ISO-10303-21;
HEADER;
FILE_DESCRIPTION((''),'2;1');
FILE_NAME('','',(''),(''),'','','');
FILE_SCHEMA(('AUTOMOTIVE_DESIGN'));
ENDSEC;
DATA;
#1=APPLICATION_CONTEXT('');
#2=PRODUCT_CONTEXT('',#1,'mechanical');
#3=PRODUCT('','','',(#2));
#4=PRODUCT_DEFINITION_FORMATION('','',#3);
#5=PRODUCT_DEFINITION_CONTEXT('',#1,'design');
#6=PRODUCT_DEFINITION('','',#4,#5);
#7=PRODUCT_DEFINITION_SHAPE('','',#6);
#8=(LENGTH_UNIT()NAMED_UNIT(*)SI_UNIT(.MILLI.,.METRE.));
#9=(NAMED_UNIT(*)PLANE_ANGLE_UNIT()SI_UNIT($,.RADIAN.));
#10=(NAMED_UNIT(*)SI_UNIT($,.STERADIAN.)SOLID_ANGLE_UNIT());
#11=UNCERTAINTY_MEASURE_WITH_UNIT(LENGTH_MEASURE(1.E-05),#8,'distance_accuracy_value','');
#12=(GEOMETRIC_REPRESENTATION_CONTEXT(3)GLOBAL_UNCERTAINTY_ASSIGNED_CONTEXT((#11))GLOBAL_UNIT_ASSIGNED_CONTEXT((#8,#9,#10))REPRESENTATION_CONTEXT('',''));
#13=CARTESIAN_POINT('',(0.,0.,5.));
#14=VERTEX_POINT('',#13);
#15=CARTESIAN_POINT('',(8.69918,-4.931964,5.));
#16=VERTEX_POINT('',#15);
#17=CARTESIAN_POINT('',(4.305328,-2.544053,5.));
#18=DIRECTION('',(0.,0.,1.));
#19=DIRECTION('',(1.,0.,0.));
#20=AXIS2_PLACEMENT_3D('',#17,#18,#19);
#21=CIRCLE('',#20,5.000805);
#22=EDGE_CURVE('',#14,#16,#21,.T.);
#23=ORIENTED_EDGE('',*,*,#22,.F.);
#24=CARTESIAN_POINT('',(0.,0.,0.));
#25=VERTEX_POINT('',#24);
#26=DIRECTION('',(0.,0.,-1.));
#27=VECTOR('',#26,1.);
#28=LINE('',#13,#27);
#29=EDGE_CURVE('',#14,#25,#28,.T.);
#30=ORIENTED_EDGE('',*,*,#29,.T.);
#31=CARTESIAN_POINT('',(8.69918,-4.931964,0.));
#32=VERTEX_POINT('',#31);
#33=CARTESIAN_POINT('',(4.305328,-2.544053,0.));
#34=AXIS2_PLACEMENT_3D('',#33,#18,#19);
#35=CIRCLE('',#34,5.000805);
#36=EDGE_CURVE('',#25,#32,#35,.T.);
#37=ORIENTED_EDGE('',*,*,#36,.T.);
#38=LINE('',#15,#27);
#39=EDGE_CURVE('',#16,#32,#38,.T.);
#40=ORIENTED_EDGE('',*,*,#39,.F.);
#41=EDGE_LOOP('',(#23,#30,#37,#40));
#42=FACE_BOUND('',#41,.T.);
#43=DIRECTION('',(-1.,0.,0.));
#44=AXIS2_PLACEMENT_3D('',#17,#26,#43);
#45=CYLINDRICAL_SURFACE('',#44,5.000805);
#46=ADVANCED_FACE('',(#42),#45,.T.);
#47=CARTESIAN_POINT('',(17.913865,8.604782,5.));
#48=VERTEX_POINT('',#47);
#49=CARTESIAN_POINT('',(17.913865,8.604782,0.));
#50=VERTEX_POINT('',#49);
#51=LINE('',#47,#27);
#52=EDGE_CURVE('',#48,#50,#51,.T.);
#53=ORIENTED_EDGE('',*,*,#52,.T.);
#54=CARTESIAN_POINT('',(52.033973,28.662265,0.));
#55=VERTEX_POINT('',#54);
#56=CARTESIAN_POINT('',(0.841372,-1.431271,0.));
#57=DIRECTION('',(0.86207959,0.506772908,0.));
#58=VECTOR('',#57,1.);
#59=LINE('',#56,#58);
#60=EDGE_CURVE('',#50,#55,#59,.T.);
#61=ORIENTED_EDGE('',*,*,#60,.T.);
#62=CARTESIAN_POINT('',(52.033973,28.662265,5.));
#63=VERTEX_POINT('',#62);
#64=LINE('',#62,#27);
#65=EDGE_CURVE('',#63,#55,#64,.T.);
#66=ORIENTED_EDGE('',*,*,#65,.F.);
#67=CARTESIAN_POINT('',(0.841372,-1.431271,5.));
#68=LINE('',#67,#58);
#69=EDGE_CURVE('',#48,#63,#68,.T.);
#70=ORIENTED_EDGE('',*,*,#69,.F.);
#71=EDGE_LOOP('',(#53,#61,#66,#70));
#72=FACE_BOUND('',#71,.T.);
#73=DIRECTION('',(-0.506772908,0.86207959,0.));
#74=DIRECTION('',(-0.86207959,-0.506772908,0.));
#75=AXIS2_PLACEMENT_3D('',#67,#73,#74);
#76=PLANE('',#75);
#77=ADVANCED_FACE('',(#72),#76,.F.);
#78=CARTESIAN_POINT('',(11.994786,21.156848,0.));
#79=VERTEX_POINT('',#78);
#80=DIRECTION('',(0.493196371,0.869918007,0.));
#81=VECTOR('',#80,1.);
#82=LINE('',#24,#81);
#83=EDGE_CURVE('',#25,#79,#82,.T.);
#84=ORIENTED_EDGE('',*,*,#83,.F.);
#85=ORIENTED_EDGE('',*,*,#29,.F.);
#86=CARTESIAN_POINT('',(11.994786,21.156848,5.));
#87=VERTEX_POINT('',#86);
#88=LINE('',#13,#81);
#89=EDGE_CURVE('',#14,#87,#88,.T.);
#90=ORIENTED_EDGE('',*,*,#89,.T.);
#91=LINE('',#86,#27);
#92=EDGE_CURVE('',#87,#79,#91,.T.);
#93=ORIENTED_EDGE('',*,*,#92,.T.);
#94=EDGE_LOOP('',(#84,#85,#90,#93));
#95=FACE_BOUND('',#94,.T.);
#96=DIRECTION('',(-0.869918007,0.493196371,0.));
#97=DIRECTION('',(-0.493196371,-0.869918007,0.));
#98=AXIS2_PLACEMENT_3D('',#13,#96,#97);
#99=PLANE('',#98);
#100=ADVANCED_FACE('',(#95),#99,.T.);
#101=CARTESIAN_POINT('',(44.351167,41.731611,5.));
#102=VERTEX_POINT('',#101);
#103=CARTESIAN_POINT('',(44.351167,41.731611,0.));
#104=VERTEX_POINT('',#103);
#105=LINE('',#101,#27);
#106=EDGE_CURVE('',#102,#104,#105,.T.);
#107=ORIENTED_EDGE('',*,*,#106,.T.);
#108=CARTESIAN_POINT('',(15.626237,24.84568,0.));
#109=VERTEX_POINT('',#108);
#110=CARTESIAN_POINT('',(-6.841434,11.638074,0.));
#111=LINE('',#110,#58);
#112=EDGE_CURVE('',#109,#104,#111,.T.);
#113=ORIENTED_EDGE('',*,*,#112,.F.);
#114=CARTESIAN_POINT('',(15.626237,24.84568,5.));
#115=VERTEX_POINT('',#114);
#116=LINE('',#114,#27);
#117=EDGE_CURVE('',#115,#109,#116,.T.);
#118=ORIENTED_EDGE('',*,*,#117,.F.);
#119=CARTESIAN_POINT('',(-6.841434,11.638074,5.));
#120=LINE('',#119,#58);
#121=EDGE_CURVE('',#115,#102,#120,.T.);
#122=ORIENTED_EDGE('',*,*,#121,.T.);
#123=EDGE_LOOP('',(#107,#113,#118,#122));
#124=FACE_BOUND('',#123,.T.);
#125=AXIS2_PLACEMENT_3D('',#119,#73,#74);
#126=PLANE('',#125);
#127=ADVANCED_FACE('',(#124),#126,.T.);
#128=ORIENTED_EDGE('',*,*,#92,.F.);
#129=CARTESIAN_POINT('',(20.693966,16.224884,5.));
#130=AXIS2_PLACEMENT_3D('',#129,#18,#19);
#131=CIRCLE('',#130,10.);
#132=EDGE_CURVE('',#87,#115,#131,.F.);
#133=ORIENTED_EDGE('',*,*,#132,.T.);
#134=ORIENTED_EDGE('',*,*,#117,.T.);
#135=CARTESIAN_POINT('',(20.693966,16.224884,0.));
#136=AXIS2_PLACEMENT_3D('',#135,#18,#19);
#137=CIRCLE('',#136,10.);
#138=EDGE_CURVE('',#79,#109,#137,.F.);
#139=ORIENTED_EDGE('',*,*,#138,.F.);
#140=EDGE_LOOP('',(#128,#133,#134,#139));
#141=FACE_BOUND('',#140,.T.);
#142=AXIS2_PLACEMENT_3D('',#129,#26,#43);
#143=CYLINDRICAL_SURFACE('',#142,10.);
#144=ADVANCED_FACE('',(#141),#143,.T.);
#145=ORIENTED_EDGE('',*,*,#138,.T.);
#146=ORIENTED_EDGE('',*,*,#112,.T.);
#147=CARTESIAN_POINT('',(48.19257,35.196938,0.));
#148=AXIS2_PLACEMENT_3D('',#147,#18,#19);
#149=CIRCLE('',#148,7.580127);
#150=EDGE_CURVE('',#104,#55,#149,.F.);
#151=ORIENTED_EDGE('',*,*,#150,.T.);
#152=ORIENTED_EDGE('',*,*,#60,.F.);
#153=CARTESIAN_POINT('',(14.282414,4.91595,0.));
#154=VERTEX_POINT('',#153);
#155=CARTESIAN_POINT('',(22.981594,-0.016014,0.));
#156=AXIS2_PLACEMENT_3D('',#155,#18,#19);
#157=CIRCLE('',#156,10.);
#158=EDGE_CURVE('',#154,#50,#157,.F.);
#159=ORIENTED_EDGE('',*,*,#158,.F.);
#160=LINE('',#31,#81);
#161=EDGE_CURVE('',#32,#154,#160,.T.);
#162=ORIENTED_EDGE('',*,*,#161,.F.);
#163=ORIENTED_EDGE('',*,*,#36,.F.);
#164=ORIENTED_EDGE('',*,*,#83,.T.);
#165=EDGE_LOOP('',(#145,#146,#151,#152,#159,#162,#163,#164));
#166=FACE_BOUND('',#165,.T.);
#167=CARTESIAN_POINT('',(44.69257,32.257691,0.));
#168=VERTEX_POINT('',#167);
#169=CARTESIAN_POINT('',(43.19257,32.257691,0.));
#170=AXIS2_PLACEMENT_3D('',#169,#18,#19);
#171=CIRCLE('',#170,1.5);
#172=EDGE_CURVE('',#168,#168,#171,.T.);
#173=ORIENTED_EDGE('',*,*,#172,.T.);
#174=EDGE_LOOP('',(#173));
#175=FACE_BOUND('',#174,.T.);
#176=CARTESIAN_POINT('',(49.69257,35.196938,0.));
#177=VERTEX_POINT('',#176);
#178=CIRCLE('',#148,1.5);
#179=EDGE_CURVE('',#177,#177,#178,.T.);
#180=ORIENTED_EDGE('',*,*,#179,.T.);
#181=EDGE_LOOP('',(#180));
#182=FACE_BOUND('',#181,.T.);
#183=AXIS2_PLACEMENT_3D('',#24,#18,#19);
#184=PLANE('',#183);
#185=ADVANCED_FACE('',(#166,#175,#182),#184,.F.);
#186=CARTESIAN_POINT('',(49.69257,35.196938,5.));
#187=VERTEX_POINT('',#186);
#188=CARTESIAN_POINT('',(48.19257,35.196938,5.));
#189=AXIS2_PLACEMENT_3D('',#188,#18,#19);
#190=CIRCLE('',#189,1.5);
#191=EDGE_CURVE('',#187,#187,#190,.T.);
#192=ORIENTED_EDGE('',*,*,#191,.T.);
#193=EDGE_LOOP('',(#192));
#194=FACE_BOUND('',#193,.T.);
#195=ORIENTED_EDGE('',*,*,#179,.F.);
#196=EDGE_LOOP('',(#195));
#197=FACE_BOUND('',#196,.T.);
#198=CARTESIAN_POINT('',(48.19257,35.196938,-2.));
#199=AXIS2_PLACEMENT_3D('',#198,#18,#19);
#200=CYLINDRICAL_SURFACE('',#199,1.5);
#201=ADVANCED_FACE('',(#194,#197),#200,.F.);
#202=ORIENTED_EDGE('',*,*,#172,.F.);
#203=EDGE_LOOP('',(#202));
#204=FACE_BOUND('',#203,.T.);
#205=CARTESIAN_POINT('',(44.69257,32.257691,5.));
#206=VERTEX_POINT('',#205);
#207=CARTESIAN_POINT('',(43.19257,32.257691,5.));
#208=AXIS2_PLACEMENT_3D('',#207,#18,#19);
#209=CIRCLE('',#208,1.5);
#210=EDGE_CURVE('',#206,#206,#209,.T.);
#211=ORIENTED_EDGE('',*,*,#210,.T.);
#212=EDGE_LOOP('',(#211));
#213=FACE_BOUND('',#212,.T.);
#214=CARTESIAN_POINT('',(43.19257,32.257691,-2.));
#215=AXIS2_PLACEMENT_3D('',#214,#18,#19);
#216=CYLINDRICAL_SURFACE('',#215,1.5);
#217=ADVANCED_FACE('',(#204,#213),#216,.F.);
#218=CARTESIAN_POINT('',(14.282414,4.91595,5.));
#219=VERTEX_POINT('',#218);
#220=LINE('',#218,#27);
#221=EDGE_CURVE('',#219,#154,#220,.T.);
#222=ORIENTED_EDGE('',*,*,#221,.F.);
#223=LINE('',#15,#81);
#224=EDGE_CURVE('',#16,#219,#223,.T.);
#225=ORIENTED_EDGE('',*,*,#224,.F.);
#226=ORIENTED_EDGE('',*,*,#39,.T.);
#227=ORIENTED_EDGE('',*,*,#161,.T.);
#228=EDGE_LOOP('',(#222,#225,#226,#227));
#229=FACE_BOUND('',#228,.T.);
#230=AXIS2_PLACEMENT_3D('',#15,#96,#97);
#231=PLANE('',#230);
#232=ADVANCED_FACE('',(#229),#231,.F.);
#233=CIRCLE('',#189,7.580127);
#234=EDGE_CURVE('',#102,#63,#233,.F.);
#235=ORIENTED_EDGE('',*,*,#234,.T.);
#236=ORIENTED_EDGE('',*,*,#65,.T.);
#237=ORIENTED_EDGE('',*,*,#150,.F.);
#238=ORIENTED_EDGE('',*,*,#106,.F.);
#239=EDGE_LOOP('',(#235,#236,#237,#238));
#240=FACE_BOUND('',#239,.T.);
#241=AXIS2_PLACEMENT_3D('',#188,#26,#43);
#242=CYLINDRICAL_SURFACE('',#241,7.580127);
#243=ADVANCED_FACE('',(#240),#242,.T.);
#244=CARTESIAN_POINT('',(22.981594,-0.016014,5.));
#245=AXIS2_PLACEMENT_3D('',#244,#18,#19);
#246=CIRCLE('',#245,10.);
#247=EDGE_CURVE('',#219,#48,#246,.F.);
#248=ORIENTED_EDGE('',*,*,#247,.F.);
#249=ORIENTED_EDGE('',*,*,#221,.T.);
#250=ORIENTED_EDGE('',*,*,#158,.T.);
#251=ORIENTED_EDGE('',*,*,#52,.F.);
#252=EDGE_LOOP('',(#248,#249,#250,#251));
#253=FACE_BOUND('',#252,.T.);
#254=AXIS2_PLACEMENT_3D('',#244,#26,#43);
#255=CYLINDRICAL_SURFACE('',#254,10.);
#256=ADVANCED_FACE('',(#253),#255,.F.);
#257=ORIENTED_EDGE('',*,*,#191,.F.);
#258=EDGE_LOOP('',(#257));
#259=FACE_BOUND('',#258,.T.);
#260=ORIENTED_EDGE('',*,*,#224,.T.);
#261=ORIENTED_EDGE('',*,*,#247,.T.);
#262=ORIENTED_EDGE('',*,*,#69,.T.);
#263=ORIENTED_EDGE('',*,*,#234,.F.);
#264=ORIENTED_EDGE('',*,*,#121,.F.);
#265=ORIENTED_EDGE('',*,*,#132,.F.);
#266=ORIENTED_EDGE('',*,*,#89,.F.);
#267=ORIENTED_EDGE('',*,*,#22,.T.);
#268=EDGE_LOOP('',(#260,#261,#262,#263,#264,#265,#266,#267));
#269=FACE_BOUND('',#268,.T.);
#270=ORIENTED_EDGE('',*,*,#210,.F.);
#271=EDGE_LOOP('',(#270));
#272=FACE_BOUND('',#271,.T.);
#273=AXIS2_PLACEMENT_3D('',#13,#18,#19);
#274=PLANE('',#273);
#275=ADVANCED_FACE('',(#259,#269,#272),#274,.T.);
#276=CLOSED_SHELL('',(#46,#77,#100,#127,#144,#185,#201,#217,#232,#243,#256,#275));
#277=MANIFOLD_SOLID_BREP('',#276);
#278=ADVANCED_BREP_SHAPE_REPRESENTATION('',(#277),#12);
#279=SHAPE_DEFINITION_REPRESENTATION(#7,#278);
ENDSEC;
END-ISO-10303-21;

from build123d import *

# Parameters (mm, degrees)
BOSS_EXTRUDE1_DEPTH = 5
SKETCH4_R           = 1.5
CUT_EXTRUDE1_DEPTH  = 7


with BuildPart() as part:
    # Sketch3 → Boss-Extrude1 (new body)
    with BuildSketch(Plane.XY):
        with BuildLine():
            Line((0, 0), (11.994786333, 21.156847919))
            ThreePointArc((11.994786333, 21.156847919), (13.567689845, 23.24030881), (15.626237328, 24.845680108))
            Line((15.626237328, 24.845680108), (44.351167277, 41.731610874))
            ThreePointArc((44.351167277, 41.731610874), (54.727243082, 39.03834109), (52.033973298, 28.662265284))
            Line((52.033973298, 28.662265284), (17.913864572, 8.604782301))
            ThreePointArc((17.913864572, 8.604782301), (15.855317089, 6.999411003), (14.282413577, 4.915950112))
            Line((14.282413577, 4.915950112), (8.699180072, -4.931963714))
            ThreePointArc((8.699180072, -4.931963714), (1.838948591, -6.894344126), (0, 0))
        make_face()
    extrude(amount=BOSS_EXTRUDE1_DEPTH)

    # Sketch4 → Cut-Extrude1 (cut)
    with BuildSketch(Plane.XY.offset(5)):
        with Locations((48.192570288, 35.196938079)):
            Circle(SKETCH4_R)
        with Locations((43.192570288, 32.257691439)):
            Circle(SKETCH4_R)
    extrude(amount=-CUT_EXTRUDE1_DEPTH, mode=Mode.SUBTRACT)


solid = part.part
